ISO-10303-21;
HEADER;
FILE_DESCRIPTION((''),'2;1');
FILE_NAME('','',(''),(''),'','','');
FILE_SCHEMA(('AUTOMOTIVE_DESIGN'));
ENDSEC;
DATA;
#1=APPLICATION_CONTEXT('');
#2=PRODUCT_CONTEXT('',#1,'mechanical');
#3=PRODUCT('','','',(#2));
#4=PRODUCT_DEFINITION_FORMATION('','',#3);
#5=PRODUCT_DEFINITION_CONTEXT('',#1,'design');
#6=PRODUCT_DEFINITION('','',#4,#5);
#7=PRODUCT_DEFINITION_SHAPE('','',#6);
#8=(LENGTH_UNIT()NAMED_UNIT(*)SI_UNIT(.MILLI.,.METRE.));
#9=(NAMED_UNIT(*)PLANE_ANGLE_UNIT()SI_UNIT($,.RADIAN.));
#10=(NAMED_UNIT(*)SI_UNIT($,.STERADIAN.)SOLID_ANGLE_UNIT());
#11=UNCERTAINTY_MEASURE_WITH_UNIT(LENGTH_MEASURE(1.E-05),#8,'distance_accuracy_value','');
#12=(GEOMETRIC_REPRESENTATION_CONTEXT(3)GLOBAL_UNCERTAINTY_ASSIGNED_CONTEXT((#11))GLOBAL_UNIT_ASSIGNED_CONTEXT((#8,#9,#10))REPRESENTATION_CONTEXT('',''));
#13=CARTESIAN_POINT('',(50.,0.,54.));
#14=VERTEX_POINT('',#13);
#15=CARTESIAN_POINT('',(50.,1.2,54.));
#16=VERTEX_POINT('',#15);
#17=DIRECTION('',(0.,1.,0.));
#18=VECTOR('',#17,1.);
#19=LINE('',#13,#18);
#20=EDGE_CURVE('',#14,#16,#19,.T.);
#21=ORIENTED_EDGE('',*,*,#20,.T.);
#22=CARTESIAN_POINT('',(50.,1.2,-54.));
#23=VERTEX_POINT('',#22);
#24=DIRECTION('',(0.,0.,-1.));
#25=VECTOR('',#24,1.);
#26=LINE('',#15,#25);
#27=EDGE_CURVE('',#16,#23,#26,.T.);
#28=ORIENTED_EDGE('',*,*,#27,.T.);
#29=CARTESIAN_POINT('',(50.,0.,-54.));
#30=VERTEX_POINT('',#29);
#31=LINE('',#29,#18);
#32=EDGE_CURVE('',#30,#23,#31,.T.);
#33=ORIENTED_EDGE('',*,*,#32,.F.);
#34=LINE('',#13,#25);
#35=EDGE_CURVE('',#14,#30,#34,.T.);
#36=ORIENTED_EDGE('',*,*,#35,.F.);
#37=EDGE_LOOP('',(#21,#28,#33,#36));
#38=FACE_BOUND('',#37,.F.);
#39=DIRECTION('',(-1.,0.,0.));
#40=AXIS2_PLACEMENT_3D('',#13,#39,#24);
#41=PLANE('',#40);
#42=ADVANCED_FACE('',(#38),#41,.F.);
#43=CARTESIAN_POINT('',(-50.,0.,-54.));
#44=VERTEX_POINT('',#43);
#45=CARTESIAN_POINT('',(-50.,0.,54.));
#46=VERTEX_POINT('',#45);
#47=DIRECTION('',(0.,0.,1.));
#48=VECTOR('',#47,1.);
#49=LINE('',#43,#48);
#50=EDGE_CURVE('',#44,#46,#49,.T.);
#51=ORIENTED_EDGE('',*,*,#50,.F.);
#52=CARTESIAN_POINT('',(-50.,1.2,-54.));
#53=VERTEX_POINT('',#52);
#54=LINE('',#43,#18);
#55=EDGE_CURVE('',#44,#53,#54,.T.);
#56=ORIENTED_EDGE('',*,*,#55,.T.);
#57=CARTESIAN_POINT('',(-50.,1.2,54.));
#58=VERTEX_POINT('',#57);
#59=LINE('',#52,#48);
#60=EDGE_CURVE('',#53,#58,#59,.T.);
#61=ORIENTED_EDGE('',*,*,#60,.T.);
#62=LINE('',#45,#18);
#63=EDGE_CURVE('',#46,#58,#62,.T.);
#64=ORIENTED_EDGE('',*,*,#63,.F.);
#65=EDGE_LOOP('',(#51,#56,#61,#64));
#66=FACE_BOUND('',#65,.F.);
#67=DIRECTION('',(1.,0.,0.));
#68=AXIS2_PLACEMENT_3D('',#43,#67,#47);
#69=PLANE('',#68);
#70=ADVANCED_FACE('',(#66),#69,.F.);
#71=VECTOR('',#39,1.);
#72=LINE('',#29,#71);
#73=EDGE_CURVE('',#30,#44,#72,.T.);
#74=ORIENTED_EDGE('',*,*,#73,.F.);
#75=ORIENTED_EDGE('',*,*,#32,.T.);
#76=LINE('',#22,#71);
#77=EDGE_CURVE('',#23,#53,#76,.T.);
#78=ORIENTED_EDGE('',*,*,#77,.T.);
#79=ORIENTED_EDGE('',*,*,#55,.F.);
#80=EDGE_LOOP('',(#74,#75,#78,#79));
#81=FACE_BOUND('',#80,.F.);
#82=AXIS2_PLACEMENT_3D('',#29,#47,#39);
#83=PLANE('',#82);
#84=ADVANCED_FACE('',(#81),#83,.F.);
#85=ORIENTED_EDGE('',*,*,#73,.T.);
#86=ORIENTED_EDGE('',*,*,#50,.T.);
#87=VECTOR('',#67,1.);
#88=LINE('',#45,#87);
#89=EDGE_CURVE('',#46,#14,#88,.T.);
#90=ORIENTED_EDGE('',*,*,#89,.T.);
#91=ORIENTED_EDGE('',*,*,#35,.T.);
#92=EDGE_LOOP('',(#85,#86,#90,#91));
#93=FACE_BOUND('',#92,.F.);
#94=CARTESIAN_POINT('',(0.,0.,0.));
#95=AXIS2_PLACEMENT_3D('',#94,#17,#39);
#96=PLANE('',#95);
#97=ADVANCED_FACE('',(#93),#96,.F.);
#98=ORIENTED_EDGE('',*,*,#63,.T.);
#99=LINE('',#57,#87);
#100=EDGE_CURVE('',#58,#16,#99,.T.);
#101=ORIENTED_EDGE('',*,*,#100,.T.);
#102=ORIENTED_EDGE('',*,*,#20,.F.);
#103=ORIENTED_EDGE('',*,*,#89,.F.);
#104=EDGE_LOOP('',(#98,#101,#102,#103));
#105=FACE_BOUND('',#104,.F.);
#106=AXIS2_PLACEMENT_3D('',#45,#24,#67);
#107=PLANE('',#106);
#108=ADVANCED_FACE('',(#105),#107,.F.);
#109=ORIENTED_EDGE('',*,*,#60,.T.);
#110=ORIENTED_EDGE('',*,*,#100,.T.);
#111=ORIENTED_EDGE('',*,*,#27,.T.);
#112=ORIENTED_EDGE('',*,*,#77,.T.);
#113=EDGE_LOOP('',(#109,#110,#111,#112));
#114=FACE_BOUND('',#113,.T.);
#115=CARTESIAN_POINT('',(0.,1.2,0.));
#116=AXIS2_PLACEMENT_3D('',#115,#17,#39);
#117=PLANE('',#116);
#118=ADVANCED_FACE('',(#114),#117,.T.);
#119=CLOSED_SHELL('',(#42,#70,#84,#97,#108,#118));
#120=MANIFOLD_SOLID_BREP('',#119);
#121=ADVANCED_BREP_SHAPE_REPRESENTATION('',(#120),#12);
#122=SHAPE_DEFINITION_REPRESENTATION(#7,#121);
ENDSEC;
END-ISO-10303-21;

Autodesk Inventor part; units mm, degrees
ref_plane "YZ Plane" through (0, 0, 0) normal (1, 0, 0) x (0, 1, 0)
ref_plane "XZ Plane" through (0, 0, 0) normal (0, 1, 0) x (-1, 0, 0)
ref_plane "XY Plane" through (0, 0, 0) normal (0, 0, 1) x (1, 0, 0)
sketch "Sketch1" plane through (0, 0, 0) normal (0, 1, 0) x (-1, 0, 0)
  line L0 (50, 54) -> (-50, 54)
  line L1 (-50, 54) -> (-50, -54)
  line L2 (-50, -54) -> (50, -54)
  line L3 (50, -54) -> (50, 54)
  line L4 (50, 54) -> (-50, -54) construction
  line L5 (-50, 54) -> (50, -54) construction
  point P0 (0, 0)
  dimension "d0" = 108
  dimension "d1" = 100
extrude "Extrusion1" add sketch "Sketch1" along normal blind 1.2
sketch "Sketch2" plane through (0, 1.2, 0) normal (0, 1, 0) x (1, 0, 0)
  line L0 (-50, -54) -> (50, -54) projected
  line L1 (50, -54) -> (50, 54) projected
  line L2 (-50, -54) -> (50, -54)
  line L3 (50, -54) -> (50, -42.5315)
  line L4 (50, -42.5315) -> (-50, -42.5315)
  line L5 (-50, -42.5315) -> (-50, -54)
  point P0 (0, 0)
properties part number "Bottom"
